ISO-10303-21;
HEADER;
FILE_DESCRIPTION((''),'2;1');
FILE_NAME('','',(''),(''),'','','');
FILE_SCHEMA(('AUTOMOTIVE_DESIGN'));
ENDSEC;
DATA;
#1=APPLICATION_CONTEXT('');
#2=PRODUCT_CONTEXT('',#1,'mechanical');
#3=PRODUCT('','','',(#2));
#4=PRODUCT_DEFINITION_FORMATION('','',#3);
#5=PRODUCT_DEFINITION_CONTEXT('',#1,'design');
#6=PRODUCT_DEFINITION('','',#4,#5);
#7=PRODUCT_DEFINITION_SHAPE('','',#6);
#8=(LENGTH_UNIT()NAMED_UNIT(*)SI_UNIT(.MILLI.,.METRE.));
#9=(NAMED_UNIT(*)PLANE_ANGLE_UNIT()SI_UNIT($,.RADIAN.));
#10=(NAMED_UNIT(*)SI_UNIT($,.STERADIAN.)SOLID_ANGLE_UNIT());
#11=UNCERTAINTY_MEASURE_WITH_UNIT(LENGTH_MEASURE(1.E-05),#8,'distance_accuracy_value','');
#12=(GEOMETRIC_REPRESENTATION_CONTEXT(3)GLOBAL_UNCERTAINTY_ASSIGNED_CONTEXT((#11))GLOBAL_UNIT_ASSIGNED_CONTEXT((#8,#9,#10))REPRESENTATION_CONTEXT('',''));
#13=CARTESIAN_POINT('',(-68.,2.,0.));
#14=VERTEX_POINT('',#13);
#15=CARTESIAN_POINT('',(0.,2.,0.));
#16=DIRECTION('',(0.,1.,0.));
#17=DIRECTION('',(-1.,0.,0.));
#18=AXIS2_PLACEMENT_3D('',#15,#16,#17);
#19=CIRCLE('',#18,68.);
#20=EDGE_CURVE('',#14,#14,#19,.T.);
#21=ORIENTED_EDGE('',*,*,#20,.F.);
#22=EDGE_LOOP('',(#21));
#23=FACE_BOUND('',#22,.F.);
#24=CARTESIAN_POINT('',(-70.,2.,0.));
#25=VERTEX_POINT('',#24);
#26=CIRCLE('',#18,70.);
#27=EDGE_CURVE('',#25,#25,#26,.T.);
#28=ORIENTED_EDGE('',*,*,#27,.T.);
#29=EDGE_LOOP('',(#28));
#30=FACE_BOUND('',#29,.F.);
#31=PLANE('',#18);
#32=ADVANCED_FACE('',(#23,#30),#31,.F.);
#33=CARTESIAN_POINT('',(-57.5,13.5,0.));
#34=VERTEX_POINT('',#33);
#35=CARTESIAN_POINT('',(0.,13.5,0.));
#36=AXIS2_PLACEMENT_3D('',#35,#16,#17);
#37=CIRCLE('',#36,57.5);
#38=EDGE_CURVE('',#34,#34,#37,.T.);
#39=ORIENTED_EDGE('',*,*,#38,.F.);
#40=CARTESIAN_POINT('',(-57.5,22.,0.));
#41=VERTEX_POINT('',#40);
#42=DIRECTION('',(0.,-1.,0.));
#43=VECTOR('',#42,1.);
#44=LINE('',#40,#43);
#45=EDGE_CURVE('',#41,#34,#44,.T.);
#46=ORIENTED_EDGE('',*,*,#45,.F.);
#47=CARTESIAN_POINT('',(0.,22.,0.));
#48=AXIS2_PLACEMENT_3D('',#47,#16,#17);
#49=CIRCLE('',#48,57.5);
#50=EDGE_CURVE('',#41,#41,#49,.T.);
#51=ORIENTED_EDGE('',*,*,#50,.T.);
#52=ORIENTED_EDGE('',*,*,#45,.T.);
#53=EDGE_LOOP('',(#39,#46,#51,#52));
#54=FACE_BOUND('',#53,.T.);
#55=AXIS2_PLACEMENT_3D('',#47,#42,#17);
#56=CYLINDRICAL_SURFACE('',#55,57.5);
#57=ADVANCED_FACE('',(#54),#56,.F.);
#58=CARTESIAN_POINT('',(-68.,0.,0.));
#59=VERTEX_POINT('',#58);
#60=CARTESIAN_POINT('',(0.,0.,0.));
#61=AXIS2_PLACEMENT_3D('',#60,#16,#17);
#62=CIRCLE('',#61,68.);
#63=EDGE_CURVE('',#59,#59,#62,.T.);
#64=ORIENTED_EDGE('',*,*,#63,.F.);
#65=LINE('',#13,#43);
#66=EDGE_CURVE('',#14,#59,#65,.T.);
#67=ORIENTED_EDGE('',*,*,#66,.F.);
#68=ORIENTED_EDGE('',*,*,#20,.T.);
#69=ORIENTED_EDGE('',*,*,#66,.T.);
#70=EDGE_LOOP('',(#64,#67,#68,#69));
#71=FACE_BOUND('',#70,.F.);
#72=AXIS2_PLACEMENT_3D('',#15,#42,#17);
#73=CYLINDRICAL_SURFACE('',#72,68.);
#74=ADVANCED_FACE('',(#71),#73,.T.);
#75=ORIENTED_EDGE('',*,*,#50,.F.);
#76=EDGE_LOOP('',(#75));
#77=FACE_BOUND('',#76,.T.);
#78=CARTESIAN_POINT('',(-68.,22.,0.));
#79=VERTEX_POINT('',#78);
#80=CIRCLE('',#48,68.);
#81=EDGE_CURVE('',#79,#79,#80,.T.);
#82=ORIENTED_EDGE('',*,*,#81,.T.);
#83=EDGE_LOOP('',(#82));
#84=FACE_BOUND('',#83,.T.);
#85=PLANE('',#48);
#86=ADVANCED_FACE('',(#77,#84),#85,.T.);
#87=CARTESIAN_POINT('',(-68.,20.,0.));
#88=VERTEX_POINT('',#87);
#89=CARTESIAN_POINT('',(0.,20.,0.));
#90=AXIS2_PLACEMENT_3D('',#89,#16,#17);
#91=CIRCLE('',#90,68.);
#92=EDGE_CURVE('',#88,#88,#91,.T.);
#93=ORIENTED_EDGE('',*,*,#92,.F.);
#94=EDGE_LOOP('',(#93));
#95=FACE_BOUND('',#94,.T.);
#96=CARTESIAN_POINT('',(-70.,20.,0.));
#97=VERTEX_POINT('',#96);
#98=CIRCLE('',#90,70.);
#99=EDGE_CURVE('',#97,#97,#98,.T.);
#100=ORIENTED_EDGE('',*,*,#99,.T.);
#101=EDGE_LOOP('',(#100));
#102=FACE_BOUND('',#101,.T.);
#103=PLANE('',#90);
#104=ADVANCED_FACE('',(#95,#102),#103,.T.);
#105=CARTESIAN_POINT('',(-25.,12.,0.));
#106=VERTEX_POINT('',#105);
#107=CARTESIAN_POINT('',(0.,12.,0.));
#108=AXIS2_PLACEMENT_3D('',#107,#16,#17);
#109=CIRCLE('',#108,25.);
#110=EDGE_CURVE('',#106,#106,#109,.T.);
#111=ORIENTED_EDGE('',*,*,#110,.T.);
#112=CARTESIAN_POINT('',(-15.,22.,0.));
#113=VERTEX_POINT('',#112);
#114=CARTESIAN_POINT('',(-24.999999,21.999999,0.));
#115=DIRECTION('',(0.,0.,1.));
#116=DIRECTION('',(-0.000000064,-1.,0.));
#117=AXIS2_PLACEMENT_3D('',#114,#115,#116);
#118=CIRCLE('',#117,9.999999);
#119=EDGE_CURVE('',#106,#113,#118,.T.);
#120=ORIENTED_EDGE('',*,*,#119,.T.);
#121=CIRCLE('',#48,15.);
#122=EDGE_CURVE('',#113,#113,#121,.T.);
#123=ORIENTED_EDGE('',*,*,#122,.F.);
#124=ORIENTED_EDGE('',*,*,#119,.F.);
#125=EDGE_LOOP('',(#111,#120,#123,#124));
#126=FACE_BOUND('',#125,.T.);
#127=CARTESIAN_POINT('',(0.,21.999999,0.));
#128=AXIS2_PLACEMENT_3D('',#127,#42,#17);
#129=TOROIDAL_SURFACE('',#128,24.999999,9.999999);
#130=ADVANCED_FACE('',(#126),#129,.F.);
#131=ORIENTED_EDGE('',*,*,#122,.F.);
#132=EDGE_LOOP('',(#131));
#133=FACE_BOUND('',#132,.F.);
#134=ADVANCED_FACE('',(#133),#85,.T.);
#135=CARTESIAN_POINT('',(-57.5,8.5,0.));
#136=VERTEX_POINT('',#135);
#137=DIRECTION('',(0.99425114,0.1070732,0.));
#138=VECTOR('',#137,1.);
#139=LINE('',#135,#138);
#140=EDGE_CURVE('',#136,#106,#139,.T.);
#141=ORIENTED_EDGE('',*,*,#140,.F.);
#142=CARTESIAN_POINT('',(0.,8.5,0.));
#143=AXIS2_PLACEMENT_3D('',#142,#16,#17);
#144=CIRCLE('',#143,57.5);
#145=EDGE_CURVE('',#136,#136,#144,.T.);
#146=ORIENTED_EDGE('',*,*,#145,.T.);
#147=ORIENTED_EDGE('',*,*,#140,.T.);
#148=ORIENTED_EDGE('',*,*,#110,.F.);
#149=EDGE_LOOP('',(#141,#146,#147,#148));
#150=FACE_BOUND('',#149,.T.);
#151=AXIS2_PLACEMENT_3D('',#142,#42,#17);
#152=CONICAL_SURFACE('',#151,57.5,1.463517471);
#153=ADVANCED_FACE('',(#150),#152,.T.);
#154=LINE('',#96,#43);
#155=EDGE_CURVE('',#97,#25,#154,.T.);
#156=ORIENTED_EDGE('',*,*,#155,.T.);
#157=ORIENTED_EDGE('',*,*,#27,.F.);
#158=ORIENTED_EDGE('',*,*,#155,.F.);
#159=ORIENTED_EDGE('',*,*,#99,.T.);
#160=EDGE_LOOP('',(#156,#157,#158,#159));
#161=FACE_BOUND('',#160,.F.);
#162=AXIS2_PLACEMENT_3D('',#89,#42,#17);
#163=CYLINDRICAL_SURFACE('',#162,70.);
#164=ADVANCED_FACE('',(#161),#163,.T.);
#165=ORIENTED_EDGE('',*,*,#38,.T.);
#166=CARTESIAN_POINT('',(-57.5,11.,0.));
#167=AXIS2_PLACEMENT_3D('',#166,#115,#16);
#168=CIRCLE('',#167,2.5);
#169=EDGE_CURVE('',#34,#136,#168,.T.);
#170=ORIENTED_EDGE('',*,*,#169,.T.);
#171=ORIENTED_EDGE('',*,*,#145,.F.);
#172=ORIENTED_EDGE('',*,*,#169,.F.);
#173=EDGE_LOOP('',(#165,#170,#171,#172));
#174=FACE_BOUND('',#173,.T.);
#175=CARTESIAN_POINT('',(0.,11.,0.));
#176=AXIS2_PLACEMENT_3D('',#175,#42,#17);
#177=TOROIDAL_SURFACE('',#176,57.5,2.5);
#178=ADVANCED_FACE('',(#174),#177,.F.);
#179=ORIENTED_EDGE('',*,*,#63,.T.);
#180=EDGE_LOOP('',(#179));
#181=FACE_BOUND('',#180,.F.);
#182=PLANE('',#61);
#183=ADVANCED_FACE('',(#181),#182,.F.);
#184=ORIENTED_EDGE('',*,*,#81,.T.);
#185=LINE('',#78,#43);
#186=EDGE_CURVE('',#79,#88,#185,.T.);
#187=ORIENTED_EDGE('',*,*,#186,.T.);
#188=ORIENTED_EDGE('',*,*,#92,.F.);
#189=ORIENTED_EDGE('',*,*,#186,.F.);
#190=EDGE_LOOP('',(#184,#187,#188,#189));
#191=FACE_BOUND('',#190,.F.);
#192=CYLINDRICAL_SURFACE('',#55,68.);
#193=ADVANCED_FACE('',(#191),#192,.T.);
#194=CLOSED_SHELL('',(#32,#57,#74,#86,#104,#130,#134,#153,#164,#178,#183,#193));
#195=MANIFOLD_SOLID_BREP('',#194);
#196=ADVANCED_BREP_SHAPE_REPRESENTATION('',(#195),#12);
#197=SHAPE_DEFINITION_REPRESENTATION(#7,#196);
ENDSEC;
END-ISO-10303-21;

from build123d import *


with BuildPart() as part:
    # Sketch → Revolution (revolve)
    with BuildSketch(Plane.XY):
        with BuildLine():
            Line((-68, 22), (-68, 20))
            Line((-70, 20), (-68, 20))
            Line((-70, 20), (-70, 2))
            Line((-70, 2), (-68, 2))
            Line((-68, 2), (-68, 0))
            Line((-68, 0), (0, 0))
            Line((0, 0), (0, 22))
            Line((0, 22), (-15, 22))
            ThreePointArc((-25, 12), (-17.928932, 14.928932), (-15, 22))
            Line((-57.5, 8.5), (-25, 12))
            ThreePointArc((-57.5, 13.5), (-60, 11), (-57.5, 8.5))
            Line((-57.5, 22), (-57.5, 13.5))
            Line((-68, 22), (-57.5, 22))
        make_face()
    revolve(axis=Axis((0, 0, 0), (0, 1, 0)))


solid = part.part
